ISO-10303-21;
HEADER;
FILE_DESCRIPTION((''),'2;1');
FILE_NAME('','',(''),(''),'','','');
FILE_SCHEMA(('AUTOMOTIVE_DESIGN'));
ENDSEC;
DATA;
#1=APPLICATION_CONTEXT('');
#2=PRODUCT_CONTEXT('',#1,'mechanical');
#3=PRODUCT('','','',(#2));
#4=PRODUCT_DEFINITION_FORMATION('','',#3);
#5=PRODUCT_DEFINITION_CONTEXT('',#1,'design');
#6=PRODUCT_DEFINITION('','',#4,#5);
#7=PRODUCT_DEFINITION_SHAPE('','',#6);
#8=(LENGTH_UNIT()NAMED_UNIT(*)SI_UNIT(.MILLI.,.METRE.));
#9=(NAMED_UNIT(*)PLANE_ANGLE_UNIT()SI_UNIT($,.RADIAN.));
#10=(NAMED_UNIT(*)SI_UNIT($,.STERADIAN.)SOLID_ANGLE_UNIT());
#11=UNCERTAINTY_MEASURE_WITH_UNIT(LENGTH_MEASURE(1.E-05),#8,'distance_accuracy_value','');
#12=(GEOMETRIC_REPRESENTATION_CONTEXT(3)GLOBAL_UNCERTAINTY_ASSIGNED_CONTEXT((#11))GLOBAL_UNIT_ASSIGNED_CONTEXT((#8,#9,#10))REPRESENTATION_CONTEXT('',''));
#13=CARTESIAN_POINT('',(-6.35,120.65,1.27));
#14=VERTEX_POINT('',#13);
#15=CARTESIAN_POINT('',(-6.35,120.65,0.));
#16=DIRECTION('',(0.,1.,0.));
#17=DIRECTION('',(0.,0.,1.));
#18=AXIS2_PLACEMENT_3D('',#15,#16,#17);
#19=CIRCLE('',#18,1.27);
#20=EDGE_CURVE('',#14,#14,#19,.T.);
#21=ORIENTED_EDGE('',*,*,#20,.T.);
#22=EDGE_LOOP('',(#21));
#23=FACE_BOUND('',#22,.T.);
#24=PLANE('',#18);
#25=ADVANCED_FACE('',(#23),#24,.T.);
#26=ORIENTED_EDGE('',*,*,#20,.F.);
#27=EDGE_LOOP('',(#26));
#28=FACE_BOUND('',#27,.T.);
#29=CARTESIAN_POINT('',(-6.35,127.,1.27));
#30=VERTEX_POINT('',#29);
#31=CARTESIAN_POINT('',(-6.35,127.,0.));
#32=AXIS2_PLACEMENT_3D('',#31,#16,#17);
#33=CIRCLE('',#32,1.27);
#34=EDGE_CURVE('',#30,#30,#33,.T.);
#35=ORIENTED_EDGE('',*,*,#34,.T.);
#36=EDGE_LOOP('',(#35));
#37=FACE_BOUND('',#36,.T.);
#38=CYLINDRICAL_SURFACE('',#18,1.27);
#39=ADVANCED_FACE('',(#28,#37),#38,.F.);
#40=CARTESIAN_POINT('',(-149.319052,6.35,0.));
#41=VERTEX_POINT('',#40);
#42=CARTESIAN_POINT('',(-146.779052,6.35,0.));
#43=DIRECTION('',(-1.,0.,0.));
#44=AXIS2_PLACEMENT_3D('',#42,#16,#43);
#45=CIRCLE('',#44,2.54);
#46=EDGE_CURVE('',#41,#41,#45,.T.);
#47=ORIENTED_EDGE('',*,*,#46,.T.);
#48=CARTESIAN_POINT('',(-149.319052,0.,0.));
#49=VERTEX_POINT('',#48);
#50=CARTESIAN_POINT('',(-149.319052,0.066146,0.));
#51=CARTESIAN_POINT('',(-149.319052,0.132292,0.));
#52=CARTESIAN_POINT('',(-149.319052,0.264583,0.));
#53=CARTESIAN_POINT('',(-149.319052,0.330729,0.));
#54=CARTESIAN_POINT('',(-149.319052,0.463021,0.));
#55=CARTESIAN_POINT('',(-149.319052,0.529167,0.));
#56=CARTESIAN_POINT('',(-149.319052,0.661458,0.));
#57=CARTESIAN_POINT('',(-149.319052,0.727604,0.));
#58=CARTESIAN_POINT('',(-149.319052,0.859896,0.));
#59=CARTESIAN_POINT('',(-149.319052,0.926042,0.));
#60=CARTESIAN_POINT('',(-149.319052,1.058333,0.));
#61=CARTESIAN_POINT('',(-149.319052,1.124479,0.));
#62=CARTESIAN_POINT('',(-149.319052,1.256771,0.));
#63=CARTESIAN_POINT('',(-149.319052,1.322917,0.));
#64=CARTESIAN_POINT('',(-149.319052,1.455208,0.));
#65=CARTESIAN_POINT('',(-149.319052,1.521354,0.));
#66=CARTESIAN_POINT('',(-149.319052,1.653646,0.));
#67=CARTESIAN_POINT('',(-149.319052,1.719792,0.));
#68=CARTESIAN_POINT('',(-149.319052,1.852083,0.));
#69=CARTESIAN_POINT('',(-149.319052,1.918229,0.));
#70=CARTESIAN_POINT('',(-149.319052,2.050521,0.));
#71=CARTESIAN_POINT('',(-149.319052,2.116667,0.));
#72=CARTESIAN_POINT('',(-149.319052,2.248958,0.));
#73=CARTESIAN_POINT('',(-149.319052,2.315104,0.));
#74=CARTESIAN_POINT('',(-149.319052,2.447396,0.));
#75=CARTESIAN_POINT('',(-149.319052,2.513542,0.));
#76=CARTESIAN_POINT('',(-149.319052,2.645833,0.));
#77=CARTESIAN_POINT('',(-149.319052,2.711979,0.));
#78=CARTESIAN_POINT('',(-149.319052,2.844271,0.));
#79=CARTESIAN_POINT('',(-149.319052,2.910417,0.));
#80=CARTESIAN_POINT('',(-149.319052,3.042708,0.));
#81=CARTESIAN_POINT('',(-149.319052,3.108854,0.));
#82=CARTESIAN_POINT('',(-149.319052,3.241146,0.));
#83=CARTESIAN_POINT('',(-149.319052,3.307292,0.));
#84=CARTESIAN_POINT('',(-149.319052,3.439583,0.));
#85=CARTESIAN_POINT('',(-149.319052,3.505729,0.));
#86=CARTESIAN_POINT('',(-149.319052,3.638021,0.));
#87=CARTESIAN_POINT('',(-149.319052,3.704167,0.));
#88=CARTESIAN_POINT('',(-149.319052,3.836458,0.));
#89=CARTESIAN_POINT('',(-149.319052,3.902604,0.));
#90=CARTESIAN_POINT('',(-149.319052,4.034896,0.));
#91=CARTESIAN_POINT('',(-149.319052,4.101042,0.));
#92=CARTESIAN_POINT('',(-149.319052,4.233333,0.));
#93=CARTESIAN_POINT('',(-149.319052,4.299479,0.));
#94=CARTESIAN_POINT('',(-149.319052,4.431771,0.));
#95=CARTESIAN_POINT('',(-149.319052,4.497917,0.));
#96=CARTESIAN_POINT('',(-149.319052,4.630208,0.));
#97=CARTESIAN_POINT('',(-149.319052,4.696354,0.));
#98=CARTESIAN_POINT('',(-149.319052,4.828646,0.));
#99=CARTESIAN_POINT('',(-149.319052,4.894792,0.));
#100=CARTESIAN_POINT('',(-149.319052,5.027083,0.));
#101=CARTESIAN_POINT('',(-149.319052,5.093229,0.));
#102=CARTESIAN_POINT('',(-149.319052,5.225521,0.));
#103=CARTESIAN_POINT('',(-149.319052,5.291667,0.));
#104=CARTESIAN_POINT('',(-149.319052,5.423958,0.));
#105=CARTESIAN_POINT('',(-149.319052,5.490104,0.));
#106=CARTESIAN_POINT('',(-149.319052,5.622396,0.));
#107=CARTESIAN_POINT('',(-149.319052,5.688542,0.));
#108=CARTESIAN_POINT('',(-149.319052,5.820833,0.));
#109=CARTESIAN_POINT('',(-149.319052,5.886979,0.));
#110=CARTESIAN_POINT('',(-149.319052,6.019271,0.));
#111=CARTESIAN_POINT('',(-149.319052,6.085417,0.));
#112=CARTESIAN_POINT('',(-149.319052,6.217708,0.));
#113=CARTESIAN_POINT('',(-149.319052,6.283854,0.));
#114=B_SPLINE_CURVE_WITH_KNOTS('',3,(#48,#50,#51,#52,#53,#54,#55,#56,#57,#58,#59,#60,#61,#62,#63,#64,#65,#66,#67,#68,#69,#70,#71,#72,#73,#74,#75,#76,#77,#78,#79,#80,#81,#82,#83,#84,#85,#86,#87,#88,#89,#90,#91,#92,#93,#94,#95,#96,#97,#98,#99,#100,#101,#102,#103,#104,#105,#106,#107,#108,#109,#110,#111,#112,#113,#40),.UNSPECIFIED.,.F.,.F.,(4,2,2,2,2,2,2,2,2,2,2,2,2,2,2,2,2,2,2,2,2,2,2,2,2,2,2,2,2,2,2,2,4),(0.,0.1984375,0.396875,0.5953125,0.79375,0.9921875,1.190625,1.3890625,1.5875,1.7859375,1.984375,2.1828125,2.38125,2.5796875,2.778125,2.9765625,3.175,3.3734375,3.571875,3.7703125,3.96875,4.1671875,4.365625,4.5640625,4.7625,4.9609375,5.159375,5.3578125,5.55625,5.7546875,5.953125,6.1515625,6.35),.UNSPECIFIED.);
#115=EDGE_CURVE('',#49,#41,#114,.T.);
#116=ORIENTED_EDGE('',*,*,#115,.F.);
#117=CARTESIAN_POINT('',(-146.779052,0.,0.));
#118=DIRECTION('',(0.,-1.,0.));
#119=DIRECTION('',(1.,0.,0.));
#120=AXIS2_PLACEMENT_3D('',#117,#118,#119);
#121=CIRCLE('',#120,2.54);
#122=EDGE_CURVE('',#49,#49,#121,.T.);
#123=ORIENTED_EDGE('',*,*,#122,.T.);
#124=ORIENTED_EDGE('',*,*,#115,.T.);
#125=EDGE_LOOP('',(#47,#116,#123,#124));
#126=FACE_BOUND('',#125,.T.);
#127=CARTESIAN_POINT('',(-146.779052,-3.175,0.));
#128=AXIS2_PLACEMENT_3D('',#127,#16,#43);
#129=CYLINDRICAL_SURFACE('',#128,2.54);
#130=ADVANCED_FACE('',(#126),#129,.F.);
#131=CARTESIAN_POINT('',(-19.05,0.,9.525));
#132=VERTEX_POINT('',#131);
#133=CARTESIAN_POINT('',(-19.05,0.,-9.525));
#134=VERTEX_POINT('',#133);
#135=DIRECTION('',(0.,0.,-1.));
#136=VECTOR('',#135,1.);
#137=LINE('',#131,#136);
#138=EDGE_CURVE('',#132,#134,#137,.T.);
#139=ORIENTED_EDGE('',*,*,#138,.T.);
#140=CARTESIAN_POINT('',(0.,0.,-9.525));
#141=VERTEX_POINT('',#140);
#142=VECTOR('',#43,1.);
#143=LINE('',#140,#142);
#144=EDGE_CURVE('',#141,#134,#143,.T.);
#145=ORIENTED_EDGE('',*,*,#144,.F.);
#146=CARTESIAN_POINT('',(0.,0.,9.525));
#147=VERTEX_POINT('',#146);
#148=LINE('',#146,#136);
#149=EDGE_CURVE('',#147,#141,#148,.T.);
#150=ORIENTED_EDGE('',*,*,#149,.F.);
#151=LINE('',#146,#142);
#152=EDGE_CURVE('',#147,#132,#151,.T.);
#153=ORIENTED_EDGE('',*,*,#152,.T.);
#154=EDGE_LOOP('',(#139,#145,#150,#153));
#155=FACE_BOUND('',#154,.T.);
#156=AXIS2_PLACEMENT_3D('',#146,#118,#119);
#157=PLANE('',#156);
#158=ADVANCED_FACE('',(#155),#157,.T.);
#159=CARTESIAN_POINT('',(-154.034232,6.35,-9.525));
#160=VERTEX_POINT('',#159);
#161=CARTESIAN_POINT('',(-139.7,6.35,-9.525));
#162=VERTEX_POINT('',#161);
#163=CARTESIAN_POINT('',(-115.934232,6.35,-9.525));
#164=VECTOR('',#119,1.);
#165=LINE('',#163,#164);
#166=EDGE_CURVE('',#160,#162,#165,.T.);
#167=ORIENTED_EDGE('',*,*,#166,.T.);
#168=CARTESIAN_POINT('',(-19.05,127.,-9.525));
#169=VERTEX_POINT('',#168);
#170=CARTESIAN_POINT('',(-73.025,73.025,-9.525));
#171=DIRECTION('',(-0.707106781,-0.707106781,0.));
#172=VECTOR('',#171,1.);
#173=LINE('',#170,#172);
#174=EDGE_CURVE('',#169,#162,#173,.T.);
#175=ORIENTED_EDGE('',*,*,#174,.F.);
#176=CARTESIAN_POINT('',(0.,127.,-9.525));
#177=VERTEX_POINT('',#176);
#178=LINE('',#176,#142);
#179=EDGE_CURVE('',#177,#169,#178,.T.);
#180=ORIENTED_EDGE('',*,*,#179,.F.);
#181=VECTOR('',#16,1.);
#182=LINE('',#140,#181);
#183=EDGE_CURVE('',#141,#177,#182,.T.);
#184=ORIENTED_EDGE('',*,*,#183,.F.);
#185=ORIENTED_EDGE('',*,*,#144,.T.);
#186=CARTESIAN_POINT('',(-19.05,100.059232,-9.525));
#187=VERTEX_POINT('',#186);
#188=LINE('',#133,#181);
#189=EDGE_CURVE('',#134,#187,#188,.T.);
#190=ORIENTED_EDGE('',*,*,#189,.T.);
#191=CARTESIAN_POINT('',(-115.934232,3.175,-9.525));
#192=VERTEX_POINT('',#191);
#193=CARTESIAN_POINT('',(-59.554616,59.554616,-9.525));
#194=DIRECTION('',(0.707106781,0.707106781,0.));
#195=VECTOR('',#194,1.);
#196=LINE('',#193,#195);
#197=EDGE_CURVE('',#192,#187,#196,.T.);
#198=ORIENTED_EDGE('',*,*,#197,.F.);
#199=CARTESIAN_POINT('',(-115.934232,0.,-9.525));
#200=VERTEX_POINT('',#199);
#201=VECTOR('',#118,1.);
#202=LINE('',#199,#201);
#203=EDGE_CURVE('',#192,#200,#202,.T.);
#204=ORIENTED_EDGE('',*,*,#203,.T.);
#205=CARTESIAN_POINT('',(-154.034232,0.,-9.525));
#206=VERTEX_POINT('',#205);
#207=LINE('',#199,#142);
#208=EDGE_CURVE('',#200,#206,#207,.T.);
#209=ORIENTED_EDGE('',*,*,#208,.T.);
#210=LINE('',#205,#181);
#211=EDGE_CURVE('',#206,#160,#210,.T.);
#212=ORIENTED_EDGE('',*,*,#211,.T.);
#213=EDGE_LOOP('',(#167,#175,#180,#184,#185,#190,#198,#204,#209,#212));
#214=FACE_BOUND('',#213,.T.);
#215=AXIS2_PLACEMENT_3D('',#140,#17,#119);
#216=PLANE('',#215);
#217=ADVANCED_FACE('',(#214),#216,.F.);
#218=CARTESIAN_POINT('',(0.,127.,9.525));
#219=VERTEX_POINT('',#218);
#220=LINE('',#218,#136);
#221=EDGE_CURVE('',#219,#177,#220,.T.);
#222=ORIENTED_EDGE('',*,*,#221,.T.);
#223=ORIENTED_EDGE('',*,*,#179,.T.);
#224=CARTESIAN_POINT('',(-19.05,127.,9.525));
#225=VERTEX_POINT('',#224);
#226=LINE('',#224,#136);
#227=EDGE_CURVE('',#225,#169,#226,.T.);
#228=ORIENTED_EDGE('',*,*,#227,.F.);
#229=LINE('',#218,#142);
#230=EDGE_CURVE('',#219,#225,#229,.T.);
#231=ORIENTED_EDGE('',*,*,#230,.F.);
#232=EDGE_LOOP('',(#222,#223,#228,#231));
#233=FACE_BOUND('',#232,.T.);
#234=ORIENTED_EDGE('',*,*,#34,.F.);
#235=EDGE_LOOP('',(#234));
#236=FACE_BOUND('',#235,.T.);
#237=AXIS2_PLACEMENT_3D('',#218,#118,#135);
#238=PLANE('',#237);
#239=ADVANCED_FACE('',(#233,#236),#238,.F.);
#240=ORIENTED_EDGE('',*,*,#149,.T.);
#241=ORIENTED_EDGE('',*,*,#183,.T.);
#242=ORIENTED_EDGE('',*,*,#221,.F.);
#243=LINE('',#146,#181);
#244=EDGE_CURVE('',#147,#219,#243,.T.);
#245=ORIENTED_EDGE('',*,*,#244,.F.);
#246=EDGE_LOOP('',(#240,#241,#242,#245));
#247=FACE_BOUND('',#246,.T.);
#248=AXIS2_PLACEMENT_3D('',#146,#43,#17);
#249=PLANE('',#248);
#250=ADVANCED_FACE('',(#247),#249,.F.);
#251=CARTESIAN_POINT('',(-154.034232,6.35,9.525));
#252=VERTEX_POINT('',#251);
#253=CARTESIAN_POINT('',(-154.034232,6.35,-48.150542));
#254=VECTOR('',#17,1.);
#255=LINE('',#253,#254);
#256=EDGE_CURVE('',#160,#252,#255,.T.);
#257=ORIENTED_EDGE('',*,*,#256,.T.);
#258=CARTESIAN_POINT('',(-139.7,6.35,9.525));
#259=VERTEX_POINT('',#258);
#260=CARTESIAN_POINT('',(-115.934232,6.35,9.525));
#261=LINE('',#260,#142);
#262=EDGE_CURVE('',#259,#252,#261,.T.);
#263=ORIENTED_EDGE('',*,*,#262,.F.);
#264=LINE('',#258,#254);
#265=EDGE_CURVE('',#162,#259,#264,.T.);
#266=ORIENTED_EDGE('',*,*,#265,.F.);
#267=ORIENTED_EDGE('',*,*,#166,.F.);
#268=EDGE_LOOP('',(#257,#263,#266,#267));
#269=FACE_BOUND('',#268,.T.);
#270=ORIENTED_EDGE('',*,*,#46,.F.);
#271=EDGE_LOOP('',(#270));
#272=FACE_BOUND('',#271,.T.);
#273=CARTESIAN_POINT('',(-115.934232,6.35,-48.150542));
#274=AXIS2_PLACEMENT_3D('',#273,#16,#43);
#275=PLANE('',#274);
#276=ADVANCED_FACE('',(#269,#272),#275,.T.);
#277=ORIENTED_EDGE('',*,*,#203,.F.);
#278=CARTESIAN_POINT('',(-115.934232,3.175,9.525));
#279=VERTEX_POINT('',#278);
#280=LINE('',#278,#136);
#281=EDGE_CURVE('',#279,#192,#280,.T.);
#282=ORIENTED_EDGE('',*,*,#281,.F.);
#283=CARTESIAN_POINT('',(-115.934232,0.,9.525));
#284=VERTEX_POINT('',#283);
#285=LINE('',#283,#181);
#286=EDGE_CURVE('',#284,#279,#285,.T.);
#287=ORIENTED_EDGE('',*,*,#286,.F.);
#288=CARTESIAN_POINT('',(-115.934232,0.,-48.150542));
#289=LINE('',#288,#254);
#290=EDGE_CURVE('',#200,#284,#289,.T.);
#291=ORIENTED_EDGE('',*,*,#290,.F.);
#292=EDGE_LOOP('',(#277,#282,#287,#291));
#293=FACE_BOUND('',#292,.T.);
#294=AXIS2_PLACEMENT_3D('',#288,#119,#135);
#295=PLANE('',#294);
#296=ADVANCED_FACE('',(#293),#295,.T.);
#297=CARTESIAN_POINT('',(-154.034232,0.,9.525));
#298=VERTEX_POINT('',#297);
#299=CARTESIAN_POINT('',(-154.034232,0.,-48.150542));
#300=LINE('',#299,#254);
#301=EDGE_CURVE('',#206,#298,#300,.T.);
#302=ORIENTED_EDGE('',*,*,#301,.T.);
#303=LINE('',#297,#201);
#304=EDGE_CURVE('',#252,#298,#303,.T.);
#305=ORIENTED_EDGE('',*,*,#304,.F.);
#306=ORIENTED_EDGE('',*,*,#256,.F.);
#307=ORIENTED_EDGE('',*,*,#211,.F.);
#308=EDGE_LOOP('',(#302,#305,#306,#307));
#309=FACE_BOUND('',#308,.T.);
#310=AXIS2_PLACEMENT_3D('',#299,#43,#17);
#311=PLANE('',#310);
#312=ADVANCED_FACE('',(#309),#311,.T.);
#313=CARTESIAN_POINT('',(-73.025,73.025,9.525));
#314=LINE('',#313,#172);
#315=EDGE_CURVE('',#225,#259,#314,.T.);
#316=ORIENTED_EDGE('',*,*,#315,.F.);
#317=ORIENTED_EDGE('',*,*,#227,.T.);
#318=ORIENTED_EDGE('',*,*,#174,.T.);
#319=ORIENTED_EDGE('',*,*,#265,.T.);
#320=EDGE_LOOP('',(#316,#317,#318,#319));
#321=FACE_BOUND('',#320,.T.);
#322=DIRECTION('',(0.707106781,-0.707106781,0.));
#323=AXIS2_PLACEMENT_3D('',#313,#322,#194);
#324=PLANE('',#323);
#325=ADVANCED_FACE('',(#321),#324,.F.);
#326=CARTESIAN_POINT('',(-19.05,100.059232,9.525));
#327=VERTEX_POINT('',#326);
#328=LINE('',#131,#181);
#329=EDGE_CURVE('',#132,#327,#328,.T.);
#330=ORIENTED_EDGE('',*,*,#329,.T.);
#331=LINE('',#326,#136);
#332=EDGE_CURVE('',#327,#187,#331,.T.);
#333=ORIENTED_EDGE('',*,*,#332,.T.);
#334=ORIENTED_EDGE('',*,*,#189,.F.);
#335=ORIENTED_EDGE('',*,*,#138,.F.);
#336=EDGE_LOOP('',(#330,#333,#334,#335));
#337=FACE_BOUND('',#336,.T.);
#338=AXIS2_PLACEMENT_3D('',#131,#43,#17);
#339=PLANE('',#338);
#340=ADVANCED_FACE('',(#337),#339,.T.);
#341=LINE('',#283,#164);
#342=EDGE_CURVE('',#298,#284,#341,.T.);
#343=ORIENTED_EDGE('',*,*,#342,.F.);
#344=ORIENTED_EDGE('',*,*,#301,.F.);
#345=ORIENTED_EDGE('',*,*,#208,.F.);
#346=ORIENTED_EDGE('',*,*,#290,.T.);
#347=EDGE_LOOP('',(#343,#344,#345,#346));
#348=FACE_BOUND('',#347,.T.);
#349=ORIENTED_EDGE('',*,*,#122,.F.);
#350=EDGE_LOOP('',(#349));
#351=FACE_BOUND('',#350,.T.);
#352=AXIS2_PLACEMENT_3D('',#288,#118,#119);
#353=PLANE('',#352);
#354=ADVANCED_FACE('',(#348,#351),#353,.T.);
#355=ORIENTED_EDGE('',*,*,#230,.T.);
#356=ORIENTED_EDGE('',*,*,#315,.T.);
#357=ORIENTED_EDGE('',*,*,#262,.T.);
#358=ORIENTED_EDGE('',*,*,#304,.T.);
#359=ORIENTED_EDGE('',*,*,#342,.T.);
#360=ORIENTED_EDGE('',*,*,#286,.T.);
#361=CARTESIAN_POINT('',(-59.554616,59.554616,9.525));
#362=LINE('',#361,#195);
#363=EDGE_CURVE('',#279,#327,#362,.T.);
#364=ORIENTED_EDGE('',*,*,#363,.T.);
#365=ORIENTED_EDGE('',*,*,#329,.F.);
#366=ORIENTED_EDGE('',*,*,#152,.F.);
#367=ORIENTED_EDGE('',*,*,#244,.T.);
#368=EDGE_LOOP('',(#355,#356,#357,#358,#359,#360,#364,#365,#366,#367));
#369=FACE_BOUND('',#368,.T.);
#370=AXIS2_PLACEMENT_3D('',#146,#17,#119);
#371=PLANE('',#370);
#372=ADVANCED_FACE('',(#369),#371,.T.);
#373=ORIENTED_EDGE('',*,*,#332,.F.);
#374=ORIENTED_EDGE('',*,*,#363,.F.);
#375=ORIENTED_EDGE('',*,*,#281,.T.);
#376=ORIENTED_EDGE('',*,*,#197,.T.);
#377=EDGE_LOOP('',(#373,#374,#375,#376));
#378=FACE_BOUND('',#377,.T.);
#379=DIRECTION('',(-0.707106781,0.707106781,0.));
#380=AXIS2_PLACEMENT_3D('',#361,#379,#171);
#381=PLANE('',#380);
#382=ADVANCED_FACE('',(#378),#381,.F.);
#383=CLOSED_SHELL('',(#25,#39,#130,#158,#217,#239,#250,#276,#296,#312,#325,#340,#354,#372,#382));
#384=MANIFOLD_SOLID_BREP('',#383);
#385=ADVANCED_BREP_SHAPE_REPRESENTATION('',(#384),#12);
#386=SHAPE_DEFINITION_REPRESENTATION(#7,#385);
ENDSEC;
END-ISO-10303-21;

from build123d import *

# Parameters (mm, degrees)
BOSS_EXTRUDE1_DEPTH = 9.525
SKETCH3_R           = 1.27
CUT_EXTRUDE1_DEPTH  = 6.35
SKETCH4_W           = 38.1
SKETCH4_H           = 6.35
BOSS_EXTRUDE2_DEPTH = 19.05
SKETCH5_R           = 2.54
CUT_EXTRUDE3_DEPTH  = 9.525


with BuildPart() as part:
    # Sketch2 → Boss-Extrude1 (new, symmetric)
    with BuildSketch(Plane.XY):
        Polygon((0, 127), (-19.05, 127), (-142.875, 3.175), (-115.934231637, 3.175), (-19.05, 100.059231637), (-19.05, 0), (0, 0), align=None)
    extrude(amount=BOSS_EXTRUDE1_DEPTH, both=True)

    # Sketch3 → Cut-Extrude1 (cut)
    with BuildSketch(Plane(origin=(0, 127, 0), x_dir=(1, 0, 0), z_dir=(0, 1, 0))):
        with Locations(Location((-6.35, 0, 0), (0, 0, 270))):
            Circle(SKETCH3_R)
    extrude(amount=-CUT_EXTRUDE1_DEPTH, mode=Mode.SUBTRACT)

    # Sketch4 → Boss-Extrude2 (add)
    with BuildSketch(Plane.XY.offset(9.525)):
        with Locations((-134.984231637, 3.175)):
            Rectangle(SKETCH4_W, SKETCH4_H)
    extrude(amount=-BOSS_EXTRUDE2_DEPTH)

    # Sketch5 → Cut-Extrude3 (cut)
    with BuildSketch(Plane(origin=(0, 6.35, 0), x_dir=(1, 0, 0), z_dir=(0, 1, 0))):
        with Locations(Location((-146.779052356, 0, 0), (0, 0, 180))):
            Circle(SKETCH5_R)
    extrude(amount=-CUT_EXTRUDE3_DEPTH, mode=Mode.SUBTRACT)


solid = part.part
